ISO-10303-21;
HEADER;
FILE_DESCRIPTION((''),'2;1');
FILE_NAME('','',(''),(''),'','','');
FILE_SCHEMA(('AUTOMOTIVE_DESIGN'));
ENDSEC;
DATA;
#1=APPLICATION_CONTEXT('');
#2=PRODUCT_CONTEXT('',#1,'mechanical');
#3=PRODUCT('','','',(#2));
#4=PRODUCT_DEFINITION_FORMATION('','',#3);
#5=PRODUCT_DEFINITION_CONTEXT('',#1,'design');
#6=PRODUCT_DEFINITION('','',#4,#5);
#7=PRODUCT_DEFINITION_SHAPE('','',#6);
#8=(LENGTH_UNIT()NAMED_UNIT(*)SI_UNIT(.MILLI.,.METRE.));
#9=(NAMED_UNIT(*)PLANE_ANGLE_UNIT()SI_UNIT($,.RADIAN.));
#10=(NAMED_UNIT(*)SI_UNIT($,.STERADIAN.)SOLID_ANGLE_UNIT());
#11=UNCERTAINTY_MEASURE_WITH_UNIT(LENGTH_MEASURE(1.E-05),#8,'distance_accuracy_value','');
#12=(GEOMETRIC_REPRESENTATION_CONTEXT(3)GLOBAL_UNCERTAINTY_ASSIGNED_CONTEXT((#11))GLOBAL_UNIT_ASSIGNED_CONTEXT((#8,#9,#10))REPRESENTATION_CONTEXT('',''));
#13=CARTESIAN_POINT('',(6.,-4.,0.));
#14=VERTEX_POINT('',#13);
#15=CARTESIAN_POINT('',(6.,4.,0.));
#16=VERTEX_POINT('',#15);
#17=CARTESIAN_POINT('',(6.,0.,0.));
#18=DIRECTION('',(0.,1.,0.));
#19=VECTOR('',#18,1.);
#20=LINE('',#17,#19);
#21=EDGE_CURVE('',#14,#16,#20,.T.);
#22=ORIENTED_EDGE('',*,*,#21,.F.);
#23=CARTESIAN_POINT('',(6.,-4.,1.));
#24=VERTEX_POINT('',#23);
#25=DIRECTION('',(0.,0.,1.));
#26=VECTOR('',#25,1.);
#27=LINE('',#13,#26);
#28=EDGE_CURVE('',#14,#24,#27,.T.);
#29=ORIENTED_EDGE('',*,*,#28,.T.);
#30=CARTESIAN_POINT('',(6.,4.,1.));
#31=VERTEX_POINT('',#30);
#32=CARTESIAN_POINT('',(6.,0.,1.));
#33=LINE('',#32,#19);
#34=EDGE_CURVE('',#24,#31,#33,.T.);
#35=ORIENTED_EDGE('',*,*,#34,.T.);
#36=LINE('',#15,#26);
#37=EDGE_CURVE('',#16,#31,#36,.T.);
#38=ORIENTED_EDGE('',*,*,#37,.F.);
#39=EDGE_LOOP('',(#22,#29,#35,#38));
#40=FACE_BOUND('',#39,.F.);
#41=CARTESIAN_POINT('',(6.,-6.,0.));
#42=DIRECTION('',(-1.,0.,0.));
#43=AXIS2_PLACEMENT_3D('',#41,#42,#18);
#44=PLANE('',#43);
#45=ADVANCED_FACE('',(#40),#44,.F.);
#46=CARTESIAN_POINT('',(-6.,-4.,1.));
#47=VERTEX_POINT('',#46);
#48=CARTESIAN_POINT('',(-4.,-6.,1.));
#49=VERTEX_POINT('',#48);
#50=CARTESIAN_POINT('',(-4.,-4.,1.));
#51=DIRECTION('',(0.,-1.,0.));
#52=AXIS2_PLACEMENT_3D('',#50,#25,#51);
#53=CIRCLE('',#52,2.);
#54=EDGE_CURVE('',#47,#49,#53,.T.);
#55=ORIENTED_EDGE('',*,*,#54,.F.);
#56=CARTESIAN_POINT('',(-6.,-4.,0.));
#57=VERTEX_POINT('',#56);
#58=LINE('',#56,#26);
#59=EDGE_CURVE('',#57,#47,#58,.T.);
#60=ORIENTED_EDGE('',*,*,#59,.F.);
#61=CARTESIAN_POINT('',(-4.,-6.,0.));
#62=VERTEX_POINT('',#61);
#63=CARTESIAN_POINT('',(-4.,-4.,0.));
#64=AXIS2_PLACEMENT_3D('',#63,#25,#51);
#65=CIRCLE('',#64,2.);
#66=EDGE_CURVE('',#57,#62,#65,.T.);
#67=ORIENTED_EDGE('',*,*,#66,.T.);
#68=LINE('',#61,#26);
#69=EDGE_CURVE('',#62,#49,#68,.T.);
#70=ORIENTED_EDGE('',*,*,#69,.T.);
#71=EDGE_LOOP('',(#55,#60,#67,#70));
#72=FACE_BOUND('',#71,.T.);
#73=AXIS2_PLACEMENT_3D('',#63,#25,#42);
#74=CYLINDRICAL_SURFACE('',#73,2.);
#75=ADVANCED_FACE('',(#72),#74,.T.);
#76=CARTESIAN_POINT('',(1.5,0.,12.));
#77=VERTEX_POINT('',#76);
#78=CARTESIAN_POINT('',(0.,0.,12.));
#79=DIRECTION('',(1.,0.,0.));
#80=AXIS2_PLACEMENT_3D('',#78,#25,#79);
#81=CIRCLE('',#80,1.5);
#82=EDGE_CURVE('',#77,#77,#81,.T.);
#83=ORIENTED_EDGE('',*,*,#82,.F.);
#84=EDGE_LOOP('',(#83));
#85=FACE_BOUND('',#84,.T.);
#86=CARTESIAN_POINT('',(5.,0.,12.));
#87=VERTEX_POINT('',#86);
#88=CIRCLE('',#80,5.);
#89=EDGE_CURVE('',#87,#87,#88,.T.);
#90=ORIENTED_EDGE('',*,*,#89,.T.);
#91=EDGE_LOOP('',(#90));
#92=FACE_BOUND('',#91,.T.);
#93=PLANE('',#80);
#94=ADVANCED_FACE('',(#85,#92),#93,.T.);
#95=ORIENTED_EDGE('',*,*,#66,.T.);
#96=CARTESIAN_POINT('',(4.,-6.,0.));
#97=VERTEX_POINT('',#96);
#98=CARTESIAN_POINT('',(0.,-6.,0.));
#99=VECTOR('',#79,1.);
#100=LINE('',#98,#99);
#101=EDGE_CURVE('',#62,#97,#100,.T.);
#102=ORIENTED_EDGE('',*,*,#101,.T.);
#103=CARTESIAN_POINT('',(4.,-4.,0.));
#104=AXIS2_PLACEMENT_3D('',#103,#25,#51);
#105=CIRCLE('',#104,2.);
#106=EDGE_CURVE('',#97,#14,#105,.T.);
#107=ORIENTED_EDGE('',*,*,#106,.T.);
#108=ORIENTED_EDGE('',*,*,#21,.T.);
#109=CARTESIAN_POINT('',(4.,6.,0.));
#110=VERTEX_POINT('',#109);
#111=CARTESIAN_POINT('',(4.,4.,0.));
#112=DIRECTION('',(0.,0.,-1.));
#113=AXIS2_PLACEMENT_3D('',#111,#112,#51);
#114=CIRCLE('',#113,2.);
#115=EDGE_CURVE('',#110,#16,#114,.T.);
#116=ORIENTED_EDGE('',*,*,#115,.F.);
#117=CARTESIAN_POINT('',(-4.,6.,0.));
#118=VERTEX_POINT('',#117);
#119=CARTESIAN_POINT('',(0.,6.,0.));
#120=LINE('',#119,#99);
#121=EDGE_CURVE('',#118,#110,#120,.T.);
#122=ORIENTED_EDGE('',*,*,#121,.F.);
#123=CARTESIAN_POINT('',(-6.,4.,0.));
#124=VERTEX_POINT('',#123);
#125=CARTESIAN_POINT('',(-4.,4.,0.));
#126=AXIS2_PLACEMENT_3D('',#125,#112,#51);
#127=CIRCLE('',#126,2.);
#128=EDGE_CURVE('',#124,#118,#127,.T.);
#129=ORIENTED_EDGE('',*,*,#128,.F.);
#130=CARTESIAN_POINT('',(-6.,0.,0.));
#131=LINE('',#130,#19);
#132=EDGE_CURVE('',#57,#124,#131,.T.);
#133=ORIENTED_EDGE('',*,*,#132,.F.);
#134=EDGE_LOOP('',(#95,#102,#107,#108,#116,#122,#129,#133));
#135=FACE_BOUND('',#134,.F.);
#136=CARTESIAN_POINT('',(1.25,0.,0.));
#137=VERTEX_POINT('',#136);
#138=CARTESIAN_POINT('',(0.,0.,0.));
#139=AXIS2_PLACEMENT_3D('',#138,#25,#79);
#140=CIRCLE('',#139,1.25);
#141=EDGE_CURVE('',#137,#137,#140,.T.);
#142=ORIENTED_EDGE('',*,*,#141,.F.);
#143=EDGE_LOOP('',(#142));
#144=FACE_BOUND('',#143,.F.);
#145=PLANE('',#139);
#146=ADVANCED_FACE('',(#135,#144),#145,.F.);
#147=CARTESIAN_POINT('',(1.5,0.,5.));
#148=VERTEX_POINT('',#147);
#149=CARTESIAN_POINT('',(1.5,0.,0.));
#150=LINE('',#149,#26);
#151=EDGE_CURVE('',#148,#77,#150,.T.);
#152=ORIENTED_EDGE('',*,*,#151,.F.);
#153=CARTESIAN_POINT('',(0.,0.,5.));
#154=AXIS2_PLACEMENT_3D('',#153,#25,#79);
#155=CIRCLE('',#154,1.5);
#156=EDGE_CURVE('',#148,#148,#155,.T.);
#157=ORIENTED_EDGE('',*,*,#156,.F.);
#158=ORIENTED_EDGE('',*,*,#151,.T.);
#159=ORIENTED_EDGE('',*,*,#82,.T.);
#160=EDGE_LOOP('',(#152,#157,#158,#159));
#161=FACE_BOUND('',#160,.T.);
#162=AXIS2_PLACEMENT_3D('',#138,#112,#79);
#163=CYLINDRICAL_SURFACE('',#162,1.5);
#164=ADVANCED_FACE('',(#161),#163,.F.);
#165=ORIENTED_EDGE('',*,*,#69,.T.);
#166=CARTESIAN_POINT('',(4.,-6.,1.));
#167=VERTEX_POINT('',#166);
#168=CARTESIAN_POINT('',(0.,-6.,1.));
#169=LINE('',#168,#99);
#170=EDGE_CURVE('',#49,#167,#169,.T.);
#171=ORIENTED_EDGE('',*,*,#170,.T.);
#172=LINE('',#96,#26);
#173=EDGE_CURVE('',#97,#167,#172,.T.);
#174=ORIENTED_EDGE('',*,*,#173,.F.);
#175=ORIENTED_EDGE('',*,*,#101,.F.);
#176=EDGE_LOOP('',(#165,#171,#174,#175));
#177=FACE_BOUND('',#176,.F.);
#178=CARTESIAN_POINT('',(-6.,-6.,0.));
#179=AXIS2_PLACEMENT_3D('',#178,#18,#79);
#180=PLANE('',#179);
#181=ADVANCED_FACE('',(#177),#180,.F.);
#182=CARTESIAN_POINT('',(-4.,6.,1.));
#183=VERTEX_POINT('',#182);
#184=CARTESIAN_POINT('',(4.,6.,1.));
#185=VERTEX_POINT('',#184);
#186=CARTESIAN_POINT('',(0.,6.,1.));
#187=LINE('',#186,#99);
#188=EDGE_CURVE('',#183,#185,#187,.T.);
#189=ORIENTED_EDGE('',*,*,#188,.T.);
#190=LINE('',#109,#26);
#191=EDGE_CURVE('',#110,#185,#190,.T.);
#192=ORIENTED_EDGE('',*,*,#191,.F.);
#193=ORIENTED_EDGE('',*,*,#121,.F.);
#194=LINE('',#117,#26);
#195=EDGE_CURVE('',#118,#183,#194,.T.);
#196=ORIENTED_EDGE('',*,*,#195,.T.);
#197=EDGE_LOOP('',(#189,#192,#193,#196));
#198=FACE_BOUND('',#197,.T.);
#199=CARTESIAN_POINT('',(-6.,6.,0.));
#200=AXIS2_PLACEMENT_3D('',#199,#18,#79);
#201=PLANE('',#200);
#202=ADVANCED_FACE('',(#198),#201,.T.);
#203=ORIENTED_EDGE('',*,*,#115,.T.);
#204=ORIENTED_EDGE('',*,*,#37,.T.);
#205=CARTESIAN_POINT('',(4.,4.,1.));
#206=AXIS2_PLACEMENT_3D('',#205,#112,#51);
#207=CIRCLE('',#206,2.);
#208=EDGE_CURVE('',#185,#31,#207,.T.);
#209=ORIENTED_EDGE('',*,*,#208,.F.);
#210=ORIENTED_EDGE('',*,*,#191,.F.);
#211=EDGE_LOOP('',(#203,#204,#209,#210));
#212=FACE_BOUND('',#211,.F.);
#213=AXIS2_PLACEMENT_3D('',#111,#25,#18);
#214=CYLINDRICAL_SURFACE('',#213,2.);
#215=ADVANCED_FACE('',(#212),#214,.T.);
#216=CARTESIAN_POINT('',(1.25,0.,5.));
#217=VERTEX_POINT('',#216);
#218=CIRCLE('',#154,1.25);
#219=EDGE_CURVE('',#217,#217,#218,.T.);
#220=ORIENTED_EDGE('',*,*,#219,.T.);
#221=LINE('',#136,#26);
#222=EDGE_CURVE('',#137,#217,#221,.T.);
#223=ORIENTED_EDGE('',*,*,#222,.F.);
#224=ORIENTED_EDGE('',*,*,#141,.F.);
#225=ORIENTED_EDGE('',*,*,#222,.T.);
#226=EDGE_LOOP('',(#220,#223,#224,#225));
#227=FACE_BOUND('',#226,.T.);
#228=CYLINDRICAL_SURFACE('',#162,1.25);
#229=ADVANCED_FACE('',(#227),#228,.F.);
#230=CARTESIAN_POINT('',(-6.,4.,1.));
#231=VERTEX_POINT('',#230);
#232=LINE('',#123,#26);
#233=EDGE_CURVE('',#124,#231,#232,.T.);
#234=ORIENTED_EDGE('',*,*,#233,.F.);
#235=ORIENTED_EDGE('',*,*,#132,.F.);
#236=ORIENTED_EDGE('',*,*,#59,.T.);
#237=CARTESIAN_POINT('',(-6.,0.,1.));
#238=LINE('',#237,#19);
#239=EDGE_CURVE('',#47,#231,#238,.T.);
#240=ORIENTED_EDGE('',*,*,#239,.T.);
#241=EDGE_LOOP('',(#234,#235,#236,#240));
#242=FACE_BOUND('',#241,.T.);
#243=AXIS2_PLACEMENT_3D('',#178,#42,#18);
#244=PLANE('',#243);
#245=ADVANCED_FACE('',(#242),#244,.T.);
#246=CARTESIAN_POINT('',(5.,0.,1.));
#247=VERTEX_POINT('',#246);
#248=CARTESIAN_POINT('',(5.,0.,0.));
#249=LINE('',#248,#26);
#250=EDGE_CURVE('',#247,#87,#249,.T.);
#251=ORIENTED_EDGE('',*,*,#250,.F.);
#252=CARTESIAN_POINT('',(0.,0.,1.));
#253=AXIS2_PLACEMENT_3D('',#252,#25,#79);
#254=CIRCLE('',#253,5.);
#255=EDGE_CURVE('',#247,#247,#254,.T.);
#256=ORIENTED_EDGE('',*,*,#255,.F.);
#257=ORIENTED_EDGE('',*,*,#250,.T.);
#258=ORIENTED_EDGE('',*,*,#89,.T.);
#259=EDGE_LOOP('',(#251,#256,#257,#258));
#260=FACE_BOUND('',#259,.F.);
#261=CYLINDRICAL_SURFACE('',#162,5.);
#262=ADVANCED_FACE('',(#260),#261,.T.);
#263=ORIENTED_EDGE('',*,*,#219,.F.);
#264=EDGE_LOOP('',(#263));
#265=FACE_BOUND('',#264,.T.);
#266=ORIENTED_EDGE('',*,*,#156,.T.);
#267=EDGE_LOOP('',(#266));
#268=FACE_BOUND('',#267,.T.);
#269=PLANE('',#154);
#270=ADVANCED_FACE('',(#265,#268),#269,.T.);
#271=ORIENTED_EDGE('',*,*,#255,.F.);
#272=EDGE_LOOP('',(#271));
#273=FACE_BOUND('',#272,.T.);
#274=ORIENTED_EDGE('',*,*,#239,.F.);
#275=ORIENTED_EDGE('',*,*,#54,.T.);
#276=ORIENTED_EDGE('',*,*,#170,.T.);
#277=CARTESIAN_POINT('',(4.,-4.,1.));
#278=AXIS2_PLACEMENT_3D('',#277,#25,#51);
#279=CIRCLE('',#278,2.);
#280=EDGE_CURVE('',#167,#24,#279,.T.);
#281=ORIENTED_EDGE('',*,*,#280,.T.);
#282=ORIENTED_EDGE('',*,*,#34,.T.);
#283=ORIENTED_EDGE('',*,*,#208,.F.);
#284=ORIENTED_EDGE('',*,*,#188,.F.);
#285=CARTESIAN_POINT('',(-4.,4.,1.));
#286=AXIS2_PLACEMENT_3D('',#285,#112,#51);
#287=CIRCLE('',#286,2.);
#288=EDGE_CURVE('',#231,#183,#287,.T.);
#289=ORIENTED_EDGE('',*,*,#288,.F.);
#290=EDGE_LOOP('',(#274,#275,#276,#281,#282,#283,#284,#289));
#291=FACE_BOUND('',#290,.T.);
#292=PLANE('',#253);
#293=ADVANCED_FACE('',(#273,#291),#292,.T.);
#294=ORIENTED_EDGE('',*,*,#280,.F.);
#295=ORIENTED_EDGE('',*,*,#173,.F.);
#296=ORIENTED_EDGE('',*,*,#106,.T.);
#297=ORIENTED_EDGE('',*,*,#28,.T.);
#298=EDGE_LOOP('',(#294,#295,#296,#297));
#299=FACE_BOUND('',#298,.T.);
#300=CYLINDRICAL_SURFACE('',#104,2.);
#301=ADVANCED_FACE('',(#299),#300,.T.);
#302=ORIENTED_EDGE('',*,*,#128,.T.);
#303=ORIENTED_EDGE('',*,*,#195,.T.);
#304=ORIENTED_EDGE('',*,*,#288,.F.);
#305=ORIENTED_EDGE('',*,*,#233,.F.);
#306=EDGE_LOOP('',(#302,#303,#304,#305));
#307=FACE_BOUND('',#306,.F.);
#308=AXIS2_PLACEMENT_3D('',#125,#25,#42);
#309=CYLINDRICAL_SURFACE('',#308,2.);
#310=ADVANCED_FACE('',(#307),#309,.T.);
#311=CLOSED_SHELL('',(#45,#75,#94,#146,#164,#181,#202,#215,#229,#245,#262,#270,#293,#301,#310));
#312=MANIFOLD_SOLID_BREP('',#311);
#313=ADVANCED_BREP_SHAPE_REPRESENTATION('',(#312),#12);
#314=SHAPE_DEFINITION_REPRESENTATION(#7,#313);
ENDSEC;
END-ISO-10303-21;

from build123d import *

# Parameters (mm, degrees)
F0_R     = 5
F0_R_2   = 1.5
F1_DEPTH = 12
F0_R_3   = 1.25
F2_DEPTH = 5
F0_W     = 12
F0_H     = 12
F3_DEPTH = 1
F4_R     = 2


with BuildPart() as f1:
    # F0 (on Top) → F1 (new body)
    with BuildSketch(Plane.XY):
        Circle(F0_R)
        Circle(F0_R_2, mode=Mode.SUBTRACT)
    extrude(amount=F1_DEPTH)

    # F0 (on Top) → F2 (join)
    with BuildSketch(Plane.XY):
        Circle(F0_R_2)
        Circle(F0_R_3, mode=Mode.SUBTRACT)
    extrude(amount=F2_DEPTH)

    # F0 (on Top) → F3 (join)
    with BuildSketch(Plane.XY):
        Rectangle(F0_W, F0_H)
        Circle(F0_R, mode=Mode.SUBTRACT)
    extrude(amount=F3_DEPTH)

    # F4
    f4_edges = [f1.edges().sort_by_distance(p)[0] for p in [
        (-6, -6, 0.5),
        (-6, 6, 0.5),
        (6, -6, 0.5),
        (6, 6, 0.5),
    ]]
    fillet(f4_edges, radius=F4_R)


solid = f1.part
